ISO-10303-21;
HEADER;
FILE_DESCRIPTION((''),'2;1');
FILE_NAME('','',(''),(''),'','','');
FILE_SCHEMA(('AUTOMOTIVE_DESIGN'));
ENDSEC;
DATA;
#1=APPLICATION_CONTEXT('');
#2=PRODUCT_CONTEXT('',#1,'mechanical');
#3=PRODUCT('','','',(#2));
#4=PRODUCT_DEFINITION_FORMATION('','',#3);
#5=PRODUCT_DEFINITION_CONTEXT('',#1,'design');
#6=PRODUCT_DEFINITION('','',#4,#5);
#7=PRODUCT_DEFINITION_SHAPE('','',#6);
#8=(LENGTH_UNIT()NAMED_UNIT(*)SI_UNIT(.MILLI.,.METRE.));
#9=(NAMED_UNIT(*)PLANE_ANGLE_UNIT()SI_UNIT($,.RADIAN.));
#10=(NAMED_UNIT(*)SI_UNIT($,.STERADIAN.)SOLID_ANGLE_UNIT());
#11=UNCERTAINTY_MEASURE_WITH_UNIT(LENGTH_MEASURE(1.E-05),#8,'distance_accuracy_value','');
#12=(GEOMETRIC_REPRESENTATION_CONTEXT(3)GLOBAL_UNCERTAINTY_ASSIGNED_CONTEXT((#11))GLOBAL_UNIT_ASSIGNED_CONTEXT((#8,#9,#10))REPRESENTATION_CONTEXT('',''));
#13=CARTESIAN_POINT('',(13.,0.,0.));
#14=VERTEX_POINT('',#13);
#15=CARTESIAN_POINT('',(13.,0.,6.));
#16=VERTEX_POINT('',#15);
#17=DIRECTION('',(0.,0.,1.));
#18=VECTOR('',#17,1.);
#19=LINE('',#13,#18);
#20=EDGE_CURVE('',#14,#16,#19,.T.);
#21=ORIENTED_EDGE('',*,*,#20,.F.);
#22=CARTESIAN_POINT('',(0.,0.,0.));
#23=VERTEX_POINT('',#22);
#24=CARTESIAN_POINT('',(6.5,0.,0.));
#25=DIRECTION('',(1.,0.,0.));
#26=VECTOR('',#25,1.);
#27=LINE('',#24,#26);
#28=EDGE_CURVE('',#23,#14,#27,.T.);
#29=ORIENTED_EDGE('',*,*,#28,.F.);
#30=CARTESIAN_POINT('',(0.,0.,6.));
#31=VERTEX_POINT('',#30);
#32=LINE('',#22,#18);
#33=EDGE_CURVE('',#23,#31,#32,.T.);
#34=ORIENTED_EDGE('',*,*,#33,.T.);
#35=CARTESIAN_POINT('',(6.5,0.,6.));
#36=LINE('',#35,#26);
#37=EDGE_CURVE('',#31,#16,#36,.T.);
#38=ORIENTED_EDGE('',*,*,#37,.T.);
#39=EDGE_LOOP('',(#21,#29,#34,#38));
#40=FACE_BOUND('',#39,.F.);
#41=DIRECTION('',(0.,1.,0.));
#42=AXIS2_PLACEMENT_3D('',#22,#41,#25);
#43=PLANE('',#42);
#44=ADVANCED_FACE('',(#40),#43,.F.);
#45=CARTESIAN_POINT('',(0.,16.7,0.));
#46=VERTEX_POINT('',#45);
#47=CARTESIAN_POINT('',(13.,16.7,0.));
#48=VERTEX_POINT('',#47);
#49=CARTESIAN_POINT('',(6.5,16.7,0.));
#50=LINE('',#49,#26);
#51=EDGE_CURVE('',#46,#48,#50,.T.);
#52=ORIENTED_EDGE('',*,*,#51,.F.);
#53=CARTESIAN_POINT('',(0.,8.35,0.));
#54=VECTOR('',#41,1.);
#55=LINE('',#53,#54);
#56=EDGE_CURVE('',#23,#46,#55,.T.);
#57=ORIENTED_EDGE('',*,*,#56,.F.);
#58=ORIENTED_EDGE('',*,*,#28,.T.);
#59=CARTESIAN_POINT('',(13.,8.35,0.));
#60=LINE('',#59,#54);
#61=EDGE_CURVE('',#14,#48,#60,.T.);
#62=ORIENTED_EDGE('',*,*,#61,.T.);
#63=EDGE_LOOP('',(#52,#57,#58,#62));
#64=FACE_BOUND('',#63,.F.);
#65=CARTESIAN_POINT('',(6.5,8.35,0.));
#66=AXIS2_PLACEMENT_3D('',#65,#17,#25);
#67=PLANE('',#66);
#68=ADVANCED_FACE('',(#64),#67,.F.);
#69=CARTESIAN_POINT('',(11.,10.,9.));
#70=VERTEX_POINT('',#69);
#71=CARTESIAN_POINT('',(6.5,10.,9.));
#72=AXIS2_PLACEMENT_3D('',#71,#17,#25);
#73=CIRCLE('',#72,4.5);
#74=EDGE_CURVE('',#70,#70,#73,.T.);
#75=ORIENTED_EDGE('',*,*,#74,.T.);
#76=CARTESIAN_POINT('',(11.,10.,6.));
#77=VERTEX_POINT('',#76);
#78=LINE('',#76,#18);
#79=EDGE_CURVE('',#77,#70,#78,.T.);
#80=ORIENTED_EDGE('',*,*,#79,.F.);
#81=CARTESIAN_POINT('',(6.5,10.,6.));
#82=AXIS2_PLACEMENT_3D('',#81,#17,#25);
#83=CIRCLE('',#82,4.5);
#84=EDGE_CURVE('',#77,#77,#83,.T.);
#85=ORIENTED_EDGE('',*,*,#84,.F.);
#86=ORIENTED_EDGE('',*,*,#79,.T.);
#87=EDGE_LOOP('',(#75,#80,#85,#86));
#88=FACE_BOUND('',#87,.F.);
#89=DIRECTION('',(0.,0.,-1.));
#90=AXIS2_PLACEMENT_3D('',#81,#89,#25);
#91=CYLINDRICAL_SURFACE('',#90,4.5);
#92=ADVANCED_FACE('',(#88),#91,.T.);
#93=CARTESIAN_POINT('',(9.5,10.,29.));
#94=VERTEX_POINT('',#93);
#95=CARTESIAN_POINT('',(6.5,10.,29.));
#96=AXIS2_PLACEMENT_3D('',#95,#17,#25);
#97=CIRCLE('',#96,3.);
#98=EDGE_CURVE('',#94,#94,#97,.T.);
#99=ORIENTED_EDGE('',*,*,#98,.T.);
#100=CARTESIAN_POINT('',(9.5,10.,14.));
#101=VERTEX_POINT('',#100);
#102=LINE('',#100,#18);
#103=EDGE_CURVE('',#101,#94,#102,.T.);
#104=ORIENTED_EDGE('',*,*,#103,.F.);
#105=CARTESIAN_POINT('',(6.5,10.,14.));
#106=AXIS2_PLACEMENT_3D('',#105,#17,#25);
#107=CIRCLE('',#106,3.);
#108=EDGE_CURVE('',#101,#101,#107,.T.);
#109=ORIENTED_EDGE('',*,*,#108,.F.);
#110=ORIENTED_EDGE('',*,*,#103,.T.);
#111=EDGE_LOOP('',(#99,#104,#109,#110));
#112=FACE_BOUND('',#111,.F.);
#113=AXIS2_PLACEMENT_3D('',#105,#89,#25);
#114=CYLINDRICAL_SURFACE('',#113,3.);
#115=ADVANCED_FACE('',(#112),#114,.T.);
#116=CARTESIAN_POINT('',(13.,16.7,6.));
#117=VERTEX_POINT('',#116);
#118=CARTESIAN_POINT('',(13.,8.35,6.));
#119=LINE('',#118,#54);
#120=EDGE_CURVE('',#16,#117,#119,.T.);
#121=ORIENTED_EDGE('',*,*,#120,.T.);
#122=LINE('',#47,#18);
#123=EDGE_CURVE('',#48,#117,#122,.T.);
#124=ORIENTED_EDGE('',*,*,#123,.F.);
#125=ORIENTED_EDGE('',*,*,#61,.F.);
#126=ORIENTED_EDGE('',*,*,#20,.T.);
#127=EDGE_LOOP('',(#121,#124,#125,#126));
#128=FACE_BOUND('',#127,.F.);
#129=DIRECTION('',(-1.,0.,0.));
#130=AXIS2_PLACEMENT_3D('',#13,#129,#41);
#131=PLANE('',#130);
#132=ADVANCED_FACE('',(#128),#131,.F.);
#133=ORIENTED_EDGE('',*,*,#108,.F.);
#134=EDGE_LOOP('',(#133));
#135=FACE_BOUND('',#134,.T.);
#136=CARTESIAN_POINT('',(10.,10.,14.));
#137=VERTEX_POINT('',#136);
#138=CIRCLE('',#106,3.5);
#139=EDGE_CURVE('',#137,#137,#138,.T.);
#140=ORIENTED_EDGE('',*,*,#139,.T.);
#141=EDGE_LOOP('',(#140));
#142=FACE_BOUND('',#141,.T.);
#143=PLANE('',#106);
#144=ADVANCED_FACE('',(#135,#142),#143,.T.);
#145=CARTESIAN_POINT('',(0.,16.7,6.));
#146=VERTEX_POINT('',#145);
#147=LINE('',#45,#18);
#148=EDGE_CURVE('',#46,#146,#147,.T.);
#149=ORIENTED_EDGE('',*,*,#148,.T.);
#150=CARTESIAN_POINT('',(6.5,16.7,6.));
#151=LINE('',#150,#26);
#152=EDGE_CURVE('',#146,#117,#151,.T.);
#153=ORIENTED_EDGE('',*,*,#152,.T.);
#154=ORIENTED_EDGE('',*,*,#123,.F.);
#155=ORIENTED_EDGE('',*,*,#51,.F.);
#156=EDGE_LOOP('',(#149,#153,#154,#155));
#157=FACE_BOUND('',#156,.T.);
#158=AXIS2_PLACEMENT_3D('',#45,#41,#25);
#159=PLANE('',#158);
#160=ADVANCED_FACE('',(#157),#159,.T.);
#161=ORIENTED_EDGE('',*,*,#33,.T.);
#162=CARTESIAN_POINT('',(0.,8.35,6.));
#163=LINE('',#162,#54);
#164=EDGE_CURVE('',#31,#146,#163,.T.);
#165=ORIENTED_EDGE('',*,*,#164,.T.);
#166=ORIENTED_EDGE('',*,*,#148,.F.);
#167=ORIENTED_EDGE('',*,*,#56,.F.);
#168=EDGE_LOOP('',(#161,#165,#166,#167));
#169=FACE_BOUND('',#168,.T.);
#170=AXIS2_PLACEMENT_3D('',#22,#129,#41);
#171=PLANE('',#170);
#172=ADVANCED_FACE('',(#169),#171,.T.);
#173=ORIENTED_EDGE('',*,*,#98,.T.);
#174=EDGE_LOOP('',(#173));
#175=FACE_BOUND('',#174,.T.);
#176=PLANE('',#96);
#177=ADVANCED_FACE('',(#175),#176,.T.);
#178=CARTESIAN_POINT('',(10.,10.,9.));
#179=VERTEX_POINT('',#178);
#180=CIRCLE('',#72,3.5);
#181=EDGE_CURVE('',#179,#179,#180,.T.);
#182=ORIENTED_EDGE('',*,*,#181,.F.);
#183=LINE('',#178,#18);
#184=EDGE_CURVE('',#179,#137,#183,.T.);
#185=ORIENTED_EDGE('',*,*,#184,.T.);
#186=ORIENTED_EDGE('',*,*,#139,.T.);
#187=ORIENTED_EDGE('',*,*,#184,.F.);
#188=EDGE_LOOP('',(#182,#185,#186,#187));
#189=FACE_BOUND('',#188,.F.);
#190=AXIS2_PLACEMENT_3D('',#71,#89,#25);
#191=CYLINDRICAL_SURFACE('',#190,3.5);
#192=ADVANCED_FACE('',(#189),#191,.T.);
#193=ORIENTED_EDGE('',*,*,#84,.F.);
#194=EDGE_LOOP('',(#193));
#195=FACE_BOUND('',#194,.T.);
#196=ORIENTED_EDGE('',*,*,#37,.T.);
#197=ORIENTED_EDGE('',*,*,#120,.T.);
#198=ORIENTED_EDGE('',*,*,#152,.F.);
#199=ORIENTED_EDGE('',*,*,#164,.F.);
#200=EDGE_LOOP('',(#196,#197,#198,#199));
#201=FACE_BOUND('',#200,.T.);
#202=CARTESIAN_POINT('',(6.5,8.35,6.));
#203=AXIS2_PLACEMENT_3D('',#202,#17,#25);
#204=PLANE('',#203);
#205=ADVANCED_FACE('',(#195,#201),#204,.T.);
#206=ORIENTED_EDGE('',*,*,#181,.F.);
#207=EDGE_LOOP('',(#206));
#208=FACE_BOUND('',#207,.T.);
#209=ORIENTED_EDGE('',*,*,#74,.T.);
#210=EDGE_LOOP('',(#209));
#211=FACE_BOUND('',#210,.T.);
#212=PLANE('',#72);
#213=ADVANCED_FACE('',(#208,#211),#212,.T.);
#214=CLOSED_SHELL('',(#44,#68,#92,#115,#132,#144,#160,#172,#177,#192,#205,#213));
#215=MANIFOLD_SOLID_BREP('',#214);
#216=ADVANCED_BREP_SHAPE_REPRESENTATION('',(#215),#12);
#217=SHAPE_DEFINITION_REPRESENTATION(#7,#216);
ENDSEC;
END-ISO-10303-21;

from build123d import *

# Parameters (mm, degrees)
SKETCH022_W  = 13
SKETCH022_H  = 16.7
PAD020_DEPTH = 6
SKETCH023_R  = 4.5
PAD021_DEPTH = 3
SKETCH024_R  = 3.5
PAD022_DEPTH = 5
SKETCH025_R  = 3
PAD023_DEPTH = 15


with BuildPart() as part:
    # Sketch022 → Pad020 (new body)
    with BuildSketch(Plane.XY):
        with Locations((6.5, 8.35)):
            Rectangle(SKETCH022_W, SKETCH022_H)
    extrude(amount=PAD020_DEPTH)

    # Sketch023 (on Face6 of Pad020) → Pad021 (join)
    with BuildSketch(Plane.XY.offset(6)):
        with Locations((6.5, 10)):
            Circle(SKETCH023_R)
    extrude(amount=PAD021_DEPTH)

    # Sketch024 (on Face8 of Pad021) → Pad022 (join)
    with BuildSketch(Plane.XY.offset(9)):
        with Locations((6.5, 10)):
            Circle(SKETCH024_R)
    extrude(amount=PAD022_DEPTH)

    # Sketch025 (on Face10 of Pad022) → Pad023 (join)
    with BuildSketch(Plane.XY.offset(14)):
        with Locations((6.5, 10)):
            Circle(SKETCH025_R)
    extrude(amount=PAD023_DEPTH)


solid = part.part
